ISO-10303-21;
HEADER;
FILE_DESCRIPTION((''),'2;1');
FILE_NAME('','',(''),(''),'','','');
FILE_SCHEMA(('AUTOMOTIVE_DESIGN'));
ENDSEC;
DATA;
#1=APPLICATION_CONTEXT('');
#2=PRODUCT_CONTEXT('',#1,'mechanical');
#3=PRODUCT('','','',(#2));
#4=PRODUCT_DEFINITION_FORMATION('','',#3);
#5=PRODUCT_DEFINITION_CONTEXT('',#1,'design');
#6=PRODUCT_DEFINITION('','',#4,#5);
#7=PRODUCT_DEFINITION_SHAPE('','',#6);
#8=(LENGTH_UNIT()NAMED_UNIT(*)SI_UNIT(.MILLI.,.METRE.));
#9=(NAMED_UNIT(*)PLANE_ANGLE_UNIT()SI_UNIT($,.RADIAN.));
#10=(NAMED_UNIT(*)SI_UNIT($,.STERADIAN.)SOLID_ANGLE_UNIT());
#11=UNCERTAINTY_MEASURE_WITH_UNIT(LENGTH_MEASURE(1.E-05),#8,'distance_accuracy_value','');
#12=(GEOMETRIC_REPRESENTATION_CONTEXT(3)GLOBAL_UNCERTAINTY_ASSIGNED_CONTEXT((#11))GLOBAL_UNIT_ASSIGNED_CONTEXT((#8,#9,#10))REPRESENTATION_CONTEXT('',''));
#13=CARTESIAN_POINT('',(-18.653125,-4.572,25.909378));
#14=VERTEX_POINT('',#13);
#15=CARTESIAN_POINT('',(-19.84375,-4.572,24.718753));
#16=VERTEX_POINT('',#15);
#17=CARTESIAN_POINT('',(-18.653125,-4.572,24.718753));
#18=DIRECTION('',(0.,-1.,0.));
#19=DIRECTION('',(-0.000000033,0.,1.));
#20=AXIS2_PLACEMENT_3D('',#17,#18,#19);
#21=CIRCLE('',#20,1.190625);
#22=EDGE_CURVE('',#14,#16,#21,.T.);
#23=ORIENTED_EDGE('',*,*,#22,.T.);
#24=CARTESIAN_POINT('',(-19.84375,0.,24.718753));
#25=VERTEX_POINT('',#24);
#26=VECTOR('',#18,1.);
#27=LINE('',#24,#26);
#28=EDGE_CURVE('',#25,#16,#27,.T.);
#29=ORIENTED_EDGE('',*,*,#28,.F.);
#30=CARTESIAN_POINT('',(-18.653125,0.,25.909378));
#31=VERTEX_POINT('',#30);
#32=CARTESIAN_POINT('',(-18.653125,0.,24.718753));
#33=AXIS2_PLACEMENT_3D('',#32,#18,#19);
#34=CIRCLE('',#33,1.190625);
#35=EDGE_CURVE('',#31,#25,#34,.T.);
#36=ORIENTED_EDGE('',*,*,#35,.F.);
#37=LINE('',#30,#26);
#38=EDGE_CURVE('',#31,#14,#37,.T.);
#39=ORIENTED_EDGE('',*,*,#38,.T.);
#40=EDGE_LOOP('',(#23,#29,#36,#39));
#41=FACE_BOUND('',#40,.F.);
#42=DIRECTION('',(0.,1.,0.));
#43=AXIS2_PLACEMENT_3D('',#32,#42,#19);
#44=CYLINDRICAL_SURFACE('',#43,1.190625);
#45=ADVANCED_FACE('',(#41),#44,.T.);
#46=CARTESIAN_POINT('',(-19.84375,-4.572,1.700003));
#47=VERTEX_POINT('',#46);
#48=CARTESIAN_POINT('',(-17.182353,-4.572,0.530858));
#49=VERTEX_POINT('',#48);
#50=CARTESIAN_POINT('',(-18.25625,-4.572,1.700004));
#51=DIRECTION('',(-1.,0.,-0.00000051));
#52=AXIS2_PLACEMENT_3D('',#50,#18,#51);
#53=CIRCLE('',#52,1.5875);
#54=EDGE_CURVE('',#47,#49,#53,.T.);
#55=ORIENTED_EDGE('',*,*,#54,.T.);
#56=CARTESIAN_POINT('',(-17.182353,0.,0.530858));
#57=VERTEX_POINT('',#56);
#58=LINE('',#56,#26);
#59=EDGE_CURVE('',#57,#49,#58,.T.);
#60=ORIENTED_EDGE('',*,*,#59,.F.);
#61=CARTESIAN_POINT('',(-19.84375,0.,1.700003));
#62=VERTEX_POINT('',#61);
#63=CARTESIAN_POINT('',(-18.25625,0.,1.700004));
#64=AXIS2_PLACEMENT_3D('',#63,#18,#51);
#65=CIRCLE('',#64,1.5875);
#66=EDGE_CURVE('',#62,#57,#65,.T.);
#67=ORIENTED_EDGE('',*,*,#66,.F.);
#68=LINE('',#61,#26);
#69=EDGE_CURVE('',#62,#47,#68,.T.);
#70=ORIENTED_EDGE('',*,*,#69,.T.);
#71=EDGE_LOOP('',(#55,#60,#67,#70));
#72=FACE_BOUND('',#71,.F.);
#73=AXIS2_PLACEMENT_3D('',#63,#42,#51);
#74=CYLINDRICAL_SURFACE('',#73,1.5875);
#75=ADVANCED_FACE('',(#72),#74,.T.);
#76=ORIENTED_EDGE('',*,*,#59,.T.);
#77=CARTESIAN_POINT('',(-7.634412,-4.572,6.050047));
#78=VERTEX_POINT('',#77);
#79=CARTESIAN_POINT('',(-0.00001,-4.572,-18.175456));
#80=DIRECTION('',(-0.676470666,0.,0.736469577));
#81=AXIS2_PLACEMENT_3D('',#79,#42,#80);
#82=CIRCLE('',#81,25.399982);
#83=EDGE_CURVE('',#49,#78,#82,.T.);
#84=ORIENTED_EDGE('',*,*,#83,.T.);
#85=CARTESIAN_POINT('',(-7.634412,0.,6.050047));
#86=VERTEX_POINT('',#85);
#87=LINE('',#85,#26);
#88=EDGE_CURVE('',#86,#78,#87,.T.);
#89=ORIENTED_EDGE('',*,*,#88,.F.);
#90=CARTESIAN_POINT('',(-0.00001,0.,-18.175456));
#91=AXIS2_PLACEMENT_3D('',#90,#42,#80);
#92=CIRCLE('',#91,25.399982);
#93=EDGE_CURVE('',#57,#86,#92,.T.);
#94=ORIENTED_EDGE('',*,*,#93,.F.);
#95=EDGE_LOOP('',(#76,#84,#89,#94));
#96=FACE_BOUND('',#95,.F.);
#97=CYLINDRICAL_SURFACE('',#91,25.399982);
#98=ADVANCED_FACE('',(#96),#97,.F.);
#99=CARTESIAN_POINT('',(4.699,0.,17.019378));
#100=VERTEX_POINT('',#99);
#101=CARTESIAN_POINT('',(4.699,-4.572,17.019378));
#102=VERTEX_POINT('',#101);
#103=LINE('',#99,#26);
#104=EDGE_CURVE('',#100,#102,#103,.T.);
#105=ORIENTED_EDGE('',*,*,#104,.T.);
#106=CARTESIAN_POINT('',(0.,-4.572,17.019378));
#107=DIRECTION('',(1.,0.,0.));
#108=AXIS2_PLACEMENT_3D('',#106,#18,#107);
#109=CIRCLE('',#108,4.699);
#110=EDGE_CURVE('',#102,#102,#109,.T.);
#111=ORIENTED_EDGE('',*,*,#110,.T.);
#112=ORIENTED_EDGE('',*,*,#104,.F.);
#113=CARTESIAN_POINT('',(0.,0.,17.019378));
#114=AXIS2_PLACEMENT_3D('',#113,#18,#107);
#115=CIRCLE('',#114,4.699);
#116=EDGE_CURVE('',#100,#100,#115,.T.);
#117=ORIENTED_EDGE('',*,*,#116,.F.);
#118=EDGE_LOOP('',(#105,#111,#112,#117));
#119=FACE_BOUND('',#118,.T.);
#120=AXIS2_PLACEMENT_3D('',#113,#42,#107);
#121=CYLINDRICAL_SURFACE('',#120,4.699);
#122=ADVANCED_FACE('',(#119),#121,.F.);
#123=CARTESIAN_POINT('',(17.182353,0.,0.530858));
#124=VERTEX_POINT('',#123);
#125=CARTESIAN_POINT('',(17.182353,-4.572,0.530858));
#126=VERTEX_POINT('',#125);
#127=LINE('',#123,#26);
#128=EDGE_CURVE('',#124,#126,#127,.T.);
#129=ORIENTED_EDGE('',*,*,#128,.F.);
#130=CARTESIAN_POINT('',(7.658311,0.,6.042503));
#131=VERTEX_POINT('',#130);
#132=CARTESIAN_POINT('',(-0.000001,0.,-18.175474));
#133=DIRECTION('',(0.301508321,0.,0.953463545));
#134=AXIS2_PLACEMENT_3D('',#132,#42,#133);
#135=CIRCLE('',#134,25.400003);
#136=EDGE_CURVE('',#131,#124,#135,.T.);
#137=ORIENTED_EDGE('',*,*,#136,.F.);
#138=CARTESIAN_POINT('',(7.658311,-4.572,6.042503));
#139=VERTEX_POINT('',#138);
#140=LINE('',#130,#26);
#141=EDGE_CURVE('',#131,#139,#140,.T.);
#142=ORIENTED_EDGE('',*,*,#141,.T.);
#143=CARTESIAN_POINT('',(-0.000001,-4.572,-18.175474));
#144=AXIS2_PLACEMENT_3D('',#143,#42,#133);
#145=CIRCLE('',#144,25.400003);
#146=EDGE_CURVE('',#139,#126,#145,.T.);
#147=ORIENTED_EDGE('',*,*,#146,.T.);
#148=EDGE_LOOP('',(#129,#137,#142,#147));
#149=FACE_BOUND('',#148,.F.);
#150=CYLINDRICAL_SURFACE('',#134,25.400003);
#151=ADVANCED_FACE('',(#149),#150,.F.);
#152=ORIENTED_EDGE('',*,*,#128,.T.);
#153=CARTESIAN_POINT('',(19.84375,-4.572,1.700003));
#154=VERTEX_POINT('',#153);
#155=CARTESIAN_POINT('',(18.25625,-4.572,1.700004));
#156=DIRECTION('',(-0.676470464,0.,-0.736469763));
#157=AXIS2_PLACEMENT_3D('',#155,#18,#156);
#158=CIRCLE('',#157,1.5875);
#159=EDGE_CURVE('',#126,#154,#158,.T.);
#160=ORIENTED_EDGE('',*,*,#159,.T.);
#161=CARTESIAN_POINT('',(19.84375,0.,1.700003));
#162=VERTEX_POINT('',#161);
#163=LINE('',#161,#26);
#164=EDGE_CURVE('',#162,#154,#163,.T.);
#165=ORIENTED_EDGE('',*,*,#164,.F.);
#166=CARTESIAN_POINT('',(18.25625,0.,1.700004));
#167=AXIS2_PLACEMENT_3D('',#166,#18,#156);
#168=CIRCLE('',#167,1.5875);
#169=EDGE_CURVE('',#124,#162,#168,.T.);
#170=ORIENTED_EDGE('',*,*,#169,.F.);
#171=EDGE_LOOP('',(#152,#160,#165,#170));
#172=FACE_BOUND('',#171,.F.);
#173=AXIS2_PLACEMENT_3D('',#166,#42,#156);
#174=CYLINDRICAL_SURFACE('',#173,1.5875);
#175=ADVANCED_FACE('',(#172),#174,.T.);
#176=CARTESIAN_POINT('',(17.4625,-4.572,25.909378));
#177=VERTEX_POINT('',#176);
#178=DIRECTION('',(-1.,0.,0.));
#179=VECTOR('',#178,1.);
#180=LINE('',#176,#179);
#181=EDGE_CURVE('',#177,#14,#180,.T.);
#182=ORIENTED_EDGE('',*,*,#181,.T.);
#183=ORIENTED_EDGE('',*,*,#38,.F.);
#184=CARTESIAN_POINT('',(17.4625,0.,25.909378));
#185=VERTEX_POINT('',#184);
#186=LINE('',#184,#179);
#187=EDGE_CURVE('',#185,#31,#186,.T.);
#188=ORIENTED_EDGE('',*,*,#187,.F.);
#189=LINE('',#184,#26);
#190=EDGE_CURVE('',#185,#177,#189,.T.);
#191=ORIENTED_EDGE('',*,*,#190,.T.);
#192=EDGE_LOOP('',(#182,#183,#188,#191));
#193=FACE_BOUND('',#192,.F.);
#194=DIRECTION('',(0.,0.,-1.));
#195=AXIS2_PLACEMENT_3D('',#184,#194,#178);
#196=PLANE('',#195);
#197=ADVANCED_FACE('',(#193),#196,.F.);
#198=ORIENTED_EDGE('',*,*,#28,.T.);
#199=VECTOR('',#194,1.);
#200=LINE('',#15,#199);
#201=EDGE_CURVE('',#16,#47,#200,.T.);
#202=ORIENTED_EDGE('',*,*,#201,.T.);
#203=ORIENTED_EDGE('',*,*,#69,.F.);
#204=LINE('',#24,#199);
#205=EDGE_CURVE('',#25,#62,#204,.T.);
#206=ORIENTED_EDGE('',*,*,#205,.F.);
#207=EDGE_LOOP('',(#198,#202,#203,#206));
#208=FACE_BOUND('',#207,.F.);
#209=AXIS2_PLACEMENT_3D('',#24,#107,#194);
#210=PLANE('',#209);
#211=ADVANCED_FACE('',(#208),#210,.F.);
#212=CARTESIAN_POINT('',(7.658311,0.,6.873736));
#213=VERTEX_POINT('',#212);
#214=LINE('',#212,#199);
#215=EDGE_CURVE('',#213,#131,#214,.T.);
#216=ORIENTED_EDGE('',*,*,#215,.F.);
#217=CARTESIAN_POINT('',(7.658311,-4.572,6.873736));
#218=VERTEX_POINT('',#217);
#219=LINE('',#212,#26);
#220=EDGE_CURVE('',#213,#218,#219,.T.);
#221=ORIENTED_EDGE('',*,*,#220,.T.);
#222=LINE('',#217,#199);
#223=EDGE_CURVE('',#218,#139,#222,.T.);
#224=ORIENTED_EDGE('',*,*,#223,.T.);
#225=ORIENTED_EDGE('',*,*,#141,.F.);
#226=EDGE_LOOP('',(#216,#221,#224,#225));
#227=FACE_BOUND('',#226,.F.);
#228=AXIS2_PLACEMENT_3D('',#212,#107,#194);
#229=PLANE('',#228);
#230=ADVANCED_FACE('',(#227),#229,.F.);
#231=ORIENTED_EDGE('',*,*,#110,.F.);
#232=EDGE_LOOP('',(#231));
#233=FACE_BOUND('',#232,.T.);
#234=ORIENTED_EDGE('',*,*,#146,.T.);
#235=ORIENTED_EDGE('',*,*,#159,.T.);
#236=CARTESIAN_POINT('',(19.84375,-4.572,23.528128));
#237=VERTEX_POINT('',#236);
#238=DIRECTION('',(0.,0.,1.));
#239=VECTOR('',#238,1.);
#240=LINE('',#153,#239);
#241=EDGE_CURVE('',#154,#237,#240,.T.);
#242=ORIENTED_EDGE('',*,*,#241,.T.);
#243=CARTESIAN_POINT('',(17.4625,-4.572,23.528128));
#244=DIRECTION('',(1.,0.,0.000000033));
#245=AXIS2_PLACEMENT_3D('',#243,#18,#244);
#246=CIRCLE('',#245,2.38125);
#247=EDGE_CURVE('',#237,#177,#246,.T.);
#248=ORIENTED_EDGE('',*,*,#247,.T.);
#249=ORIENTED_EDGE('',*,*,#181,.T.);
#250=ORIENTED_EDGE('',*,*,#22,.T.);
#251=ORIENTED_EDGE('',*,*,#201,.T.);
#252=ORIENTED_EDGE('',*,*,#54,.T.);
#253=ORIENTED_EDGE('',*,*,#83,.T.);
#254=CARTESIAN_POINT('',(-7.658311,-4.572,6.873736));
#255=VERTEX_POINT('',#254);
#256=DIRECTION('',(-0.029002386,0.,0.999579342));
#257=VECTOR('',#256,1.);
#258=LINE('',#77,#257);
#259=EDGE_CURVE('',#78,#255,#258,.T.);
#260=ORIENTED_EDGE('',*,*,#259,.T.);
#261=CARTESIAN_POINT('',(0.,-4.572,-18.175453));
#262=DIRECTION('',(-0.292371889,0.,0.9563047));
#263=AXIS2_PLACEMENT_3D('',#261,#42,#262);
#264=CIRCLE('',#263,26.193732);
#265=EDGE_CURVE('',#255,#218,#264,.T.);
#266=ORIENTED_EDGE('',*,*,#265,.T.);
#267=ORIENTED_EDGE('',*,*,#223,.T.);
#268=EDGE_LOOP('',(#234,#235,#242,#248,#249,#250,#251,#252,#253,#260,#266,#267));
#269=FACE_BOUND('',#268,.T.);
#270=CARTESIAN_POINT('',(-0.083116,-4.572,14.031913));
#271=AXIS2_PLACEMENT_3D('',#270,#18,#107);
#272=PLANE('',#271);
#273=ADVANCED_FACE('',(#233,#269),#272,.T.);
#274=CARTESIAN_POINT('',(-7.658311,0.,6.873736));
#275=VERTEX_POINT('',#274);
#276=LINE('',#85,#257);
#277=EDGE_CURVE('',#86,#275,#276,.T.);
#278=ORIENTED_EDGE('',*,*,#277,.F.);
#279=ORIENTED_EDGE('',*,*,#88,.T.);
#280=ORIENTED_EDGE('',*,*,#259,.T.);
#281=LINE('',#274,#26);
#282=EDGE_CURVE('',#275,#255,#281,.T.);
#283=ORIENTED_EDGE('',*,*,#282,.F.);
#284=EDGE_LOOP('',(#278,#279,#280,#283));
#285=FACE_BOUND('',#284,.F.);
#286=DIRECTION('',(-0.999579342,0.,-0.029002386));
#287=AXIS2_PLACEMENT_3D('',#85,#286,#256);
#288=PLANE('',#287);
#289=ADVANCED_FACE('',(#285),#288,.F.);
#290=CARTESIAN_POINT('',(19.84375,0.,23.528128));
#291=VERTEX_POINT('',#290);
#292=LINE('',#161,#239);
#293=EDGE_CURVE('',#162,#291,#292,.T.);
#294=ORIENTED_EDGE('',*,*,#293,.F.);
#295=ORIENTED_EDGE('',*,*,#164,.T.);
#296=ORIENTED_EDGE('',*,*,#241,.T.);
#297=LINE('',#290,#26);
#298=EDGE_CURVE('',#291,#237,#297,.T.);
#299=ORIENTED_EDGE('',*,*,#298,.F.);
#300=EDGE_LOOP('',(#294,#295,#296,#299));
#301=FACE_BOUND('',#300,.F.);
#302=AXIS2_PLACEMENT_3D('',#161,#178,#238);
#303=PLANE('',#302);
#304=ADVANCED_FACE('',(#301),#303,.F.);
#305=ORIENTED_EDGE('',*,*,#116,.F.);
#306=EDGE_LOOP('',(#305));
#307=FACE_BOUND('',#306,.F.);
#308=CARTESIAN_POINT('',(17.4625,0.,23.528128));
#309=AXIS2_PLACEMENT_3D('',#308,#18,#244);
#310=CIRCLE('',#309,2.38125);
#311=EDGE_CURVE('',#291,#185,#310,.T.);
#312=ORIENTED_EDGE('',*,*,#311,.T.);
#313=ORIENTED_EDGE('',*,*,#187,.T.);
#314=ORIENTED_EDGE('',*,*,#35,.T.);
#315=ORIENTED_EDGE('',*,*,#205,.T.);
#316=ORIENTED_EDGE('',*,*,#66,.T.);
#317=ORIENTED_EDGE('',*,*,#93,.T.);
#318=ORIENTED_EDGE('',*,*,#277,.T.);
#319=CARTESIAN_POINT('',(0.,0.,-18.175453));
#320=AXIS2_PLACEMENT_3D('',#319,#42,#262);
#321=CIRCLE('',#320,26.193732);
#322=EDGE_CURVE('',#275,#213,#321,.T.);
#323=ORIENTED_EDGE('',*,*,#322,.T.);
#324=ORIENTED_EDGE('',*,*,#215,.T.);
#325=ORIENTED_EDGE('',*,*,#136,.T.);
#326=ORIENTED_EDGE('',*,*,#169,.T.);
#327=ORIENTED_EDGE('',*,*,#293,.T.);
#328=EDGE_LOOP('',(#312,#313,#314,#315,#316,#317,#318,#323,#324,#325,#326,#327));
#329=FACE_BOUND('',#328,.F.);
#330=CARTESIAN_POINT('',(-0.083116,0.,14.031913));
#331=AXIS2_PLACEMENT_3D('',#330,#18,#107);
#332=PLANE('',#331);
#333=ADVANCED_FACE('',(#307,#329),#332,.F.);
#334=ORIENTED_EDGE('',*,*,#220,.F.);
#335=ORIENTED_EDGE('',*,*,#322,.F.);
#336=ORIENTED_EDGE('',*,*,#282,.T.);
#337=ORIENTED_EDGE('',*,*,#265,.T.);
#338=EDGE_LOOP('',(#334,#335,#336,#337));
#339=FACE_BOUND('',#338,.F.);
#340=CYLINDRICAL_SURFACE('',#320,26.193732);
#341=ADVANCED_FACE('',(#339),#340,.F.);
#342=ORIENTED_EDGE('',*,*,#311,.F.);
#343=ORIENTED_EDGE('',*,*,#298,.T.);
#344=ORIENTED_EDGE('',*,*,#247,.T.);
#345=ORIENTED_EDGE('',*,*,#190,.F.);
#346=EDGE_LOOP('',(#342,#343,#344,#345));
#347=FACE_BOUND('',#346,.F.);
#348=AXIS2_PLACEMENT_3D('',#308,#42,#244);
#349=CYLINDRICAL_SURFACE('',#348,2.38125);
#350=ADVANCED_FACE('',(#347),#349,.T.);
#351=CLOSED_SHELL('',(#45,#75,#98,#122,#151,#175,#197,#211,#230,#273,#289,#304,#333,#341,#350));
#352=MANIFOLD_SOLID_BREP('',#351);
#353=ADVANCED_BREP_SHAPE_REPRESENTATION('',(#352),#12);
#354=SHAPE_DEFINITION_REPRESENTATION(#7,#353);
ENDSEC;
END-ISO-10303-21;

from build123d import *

# Parameters (mm, degrees)
F0_R     = 4.699
F1_DEPTH = 4.572


with BuildPart() as f1:
    # F0 (on Front) → F1 (new body)
    with BuildSketch(Plane.XZ):
        with BuildLine():
            Line((17.4625, 25.909378), (-18.653125, 25.909378))
            ThreePointArc((-18.653125, 25.909378), (-19.495024, 25.560652), (-19.84375, 24.718753))
            Line((-19.84375, 24.718753), (-19.84375, 1.700003))
            ThreePointArc((-19.84375, 1.700003), (-18.894742, 0.246565), (-17.182353, 0.530858))
            ThreePointArc((-17.182353, 0.530858), (-12.711543, 3.814906), (-7.634412, 6.050047))
            Line((-7.634412, 6.050047), (-7.658311, 6.873736))
            ThreePointArc((-7.658311, 6.873736), (0, 8.018279), (7.658311, 6.873736))
            Line((7.658311, 6.873736), (7.658311, 6.042503))
            ThreePointArc((7.658311, 6.042503), (12.72239, 3.808632), (17.182353, 0.530858))
            ThreePointArc((17.182353, 0.530858), (18.894742, 0.246565), (19.84375, 1.700003))
            Line((19.84375, 1.700003), (19.84375, 23.528128))
            ThreePointArc((19.84375, 23.528128), (19.146298, 25.211926), (17.4625, 25.909378))
        make_face()
        with Locations((0, 17.019378)):
            Circle(F0_R, mode=Mode.SUBTRACT)
    extrude(amount=F1_DEPTH)


solid = f1.part
